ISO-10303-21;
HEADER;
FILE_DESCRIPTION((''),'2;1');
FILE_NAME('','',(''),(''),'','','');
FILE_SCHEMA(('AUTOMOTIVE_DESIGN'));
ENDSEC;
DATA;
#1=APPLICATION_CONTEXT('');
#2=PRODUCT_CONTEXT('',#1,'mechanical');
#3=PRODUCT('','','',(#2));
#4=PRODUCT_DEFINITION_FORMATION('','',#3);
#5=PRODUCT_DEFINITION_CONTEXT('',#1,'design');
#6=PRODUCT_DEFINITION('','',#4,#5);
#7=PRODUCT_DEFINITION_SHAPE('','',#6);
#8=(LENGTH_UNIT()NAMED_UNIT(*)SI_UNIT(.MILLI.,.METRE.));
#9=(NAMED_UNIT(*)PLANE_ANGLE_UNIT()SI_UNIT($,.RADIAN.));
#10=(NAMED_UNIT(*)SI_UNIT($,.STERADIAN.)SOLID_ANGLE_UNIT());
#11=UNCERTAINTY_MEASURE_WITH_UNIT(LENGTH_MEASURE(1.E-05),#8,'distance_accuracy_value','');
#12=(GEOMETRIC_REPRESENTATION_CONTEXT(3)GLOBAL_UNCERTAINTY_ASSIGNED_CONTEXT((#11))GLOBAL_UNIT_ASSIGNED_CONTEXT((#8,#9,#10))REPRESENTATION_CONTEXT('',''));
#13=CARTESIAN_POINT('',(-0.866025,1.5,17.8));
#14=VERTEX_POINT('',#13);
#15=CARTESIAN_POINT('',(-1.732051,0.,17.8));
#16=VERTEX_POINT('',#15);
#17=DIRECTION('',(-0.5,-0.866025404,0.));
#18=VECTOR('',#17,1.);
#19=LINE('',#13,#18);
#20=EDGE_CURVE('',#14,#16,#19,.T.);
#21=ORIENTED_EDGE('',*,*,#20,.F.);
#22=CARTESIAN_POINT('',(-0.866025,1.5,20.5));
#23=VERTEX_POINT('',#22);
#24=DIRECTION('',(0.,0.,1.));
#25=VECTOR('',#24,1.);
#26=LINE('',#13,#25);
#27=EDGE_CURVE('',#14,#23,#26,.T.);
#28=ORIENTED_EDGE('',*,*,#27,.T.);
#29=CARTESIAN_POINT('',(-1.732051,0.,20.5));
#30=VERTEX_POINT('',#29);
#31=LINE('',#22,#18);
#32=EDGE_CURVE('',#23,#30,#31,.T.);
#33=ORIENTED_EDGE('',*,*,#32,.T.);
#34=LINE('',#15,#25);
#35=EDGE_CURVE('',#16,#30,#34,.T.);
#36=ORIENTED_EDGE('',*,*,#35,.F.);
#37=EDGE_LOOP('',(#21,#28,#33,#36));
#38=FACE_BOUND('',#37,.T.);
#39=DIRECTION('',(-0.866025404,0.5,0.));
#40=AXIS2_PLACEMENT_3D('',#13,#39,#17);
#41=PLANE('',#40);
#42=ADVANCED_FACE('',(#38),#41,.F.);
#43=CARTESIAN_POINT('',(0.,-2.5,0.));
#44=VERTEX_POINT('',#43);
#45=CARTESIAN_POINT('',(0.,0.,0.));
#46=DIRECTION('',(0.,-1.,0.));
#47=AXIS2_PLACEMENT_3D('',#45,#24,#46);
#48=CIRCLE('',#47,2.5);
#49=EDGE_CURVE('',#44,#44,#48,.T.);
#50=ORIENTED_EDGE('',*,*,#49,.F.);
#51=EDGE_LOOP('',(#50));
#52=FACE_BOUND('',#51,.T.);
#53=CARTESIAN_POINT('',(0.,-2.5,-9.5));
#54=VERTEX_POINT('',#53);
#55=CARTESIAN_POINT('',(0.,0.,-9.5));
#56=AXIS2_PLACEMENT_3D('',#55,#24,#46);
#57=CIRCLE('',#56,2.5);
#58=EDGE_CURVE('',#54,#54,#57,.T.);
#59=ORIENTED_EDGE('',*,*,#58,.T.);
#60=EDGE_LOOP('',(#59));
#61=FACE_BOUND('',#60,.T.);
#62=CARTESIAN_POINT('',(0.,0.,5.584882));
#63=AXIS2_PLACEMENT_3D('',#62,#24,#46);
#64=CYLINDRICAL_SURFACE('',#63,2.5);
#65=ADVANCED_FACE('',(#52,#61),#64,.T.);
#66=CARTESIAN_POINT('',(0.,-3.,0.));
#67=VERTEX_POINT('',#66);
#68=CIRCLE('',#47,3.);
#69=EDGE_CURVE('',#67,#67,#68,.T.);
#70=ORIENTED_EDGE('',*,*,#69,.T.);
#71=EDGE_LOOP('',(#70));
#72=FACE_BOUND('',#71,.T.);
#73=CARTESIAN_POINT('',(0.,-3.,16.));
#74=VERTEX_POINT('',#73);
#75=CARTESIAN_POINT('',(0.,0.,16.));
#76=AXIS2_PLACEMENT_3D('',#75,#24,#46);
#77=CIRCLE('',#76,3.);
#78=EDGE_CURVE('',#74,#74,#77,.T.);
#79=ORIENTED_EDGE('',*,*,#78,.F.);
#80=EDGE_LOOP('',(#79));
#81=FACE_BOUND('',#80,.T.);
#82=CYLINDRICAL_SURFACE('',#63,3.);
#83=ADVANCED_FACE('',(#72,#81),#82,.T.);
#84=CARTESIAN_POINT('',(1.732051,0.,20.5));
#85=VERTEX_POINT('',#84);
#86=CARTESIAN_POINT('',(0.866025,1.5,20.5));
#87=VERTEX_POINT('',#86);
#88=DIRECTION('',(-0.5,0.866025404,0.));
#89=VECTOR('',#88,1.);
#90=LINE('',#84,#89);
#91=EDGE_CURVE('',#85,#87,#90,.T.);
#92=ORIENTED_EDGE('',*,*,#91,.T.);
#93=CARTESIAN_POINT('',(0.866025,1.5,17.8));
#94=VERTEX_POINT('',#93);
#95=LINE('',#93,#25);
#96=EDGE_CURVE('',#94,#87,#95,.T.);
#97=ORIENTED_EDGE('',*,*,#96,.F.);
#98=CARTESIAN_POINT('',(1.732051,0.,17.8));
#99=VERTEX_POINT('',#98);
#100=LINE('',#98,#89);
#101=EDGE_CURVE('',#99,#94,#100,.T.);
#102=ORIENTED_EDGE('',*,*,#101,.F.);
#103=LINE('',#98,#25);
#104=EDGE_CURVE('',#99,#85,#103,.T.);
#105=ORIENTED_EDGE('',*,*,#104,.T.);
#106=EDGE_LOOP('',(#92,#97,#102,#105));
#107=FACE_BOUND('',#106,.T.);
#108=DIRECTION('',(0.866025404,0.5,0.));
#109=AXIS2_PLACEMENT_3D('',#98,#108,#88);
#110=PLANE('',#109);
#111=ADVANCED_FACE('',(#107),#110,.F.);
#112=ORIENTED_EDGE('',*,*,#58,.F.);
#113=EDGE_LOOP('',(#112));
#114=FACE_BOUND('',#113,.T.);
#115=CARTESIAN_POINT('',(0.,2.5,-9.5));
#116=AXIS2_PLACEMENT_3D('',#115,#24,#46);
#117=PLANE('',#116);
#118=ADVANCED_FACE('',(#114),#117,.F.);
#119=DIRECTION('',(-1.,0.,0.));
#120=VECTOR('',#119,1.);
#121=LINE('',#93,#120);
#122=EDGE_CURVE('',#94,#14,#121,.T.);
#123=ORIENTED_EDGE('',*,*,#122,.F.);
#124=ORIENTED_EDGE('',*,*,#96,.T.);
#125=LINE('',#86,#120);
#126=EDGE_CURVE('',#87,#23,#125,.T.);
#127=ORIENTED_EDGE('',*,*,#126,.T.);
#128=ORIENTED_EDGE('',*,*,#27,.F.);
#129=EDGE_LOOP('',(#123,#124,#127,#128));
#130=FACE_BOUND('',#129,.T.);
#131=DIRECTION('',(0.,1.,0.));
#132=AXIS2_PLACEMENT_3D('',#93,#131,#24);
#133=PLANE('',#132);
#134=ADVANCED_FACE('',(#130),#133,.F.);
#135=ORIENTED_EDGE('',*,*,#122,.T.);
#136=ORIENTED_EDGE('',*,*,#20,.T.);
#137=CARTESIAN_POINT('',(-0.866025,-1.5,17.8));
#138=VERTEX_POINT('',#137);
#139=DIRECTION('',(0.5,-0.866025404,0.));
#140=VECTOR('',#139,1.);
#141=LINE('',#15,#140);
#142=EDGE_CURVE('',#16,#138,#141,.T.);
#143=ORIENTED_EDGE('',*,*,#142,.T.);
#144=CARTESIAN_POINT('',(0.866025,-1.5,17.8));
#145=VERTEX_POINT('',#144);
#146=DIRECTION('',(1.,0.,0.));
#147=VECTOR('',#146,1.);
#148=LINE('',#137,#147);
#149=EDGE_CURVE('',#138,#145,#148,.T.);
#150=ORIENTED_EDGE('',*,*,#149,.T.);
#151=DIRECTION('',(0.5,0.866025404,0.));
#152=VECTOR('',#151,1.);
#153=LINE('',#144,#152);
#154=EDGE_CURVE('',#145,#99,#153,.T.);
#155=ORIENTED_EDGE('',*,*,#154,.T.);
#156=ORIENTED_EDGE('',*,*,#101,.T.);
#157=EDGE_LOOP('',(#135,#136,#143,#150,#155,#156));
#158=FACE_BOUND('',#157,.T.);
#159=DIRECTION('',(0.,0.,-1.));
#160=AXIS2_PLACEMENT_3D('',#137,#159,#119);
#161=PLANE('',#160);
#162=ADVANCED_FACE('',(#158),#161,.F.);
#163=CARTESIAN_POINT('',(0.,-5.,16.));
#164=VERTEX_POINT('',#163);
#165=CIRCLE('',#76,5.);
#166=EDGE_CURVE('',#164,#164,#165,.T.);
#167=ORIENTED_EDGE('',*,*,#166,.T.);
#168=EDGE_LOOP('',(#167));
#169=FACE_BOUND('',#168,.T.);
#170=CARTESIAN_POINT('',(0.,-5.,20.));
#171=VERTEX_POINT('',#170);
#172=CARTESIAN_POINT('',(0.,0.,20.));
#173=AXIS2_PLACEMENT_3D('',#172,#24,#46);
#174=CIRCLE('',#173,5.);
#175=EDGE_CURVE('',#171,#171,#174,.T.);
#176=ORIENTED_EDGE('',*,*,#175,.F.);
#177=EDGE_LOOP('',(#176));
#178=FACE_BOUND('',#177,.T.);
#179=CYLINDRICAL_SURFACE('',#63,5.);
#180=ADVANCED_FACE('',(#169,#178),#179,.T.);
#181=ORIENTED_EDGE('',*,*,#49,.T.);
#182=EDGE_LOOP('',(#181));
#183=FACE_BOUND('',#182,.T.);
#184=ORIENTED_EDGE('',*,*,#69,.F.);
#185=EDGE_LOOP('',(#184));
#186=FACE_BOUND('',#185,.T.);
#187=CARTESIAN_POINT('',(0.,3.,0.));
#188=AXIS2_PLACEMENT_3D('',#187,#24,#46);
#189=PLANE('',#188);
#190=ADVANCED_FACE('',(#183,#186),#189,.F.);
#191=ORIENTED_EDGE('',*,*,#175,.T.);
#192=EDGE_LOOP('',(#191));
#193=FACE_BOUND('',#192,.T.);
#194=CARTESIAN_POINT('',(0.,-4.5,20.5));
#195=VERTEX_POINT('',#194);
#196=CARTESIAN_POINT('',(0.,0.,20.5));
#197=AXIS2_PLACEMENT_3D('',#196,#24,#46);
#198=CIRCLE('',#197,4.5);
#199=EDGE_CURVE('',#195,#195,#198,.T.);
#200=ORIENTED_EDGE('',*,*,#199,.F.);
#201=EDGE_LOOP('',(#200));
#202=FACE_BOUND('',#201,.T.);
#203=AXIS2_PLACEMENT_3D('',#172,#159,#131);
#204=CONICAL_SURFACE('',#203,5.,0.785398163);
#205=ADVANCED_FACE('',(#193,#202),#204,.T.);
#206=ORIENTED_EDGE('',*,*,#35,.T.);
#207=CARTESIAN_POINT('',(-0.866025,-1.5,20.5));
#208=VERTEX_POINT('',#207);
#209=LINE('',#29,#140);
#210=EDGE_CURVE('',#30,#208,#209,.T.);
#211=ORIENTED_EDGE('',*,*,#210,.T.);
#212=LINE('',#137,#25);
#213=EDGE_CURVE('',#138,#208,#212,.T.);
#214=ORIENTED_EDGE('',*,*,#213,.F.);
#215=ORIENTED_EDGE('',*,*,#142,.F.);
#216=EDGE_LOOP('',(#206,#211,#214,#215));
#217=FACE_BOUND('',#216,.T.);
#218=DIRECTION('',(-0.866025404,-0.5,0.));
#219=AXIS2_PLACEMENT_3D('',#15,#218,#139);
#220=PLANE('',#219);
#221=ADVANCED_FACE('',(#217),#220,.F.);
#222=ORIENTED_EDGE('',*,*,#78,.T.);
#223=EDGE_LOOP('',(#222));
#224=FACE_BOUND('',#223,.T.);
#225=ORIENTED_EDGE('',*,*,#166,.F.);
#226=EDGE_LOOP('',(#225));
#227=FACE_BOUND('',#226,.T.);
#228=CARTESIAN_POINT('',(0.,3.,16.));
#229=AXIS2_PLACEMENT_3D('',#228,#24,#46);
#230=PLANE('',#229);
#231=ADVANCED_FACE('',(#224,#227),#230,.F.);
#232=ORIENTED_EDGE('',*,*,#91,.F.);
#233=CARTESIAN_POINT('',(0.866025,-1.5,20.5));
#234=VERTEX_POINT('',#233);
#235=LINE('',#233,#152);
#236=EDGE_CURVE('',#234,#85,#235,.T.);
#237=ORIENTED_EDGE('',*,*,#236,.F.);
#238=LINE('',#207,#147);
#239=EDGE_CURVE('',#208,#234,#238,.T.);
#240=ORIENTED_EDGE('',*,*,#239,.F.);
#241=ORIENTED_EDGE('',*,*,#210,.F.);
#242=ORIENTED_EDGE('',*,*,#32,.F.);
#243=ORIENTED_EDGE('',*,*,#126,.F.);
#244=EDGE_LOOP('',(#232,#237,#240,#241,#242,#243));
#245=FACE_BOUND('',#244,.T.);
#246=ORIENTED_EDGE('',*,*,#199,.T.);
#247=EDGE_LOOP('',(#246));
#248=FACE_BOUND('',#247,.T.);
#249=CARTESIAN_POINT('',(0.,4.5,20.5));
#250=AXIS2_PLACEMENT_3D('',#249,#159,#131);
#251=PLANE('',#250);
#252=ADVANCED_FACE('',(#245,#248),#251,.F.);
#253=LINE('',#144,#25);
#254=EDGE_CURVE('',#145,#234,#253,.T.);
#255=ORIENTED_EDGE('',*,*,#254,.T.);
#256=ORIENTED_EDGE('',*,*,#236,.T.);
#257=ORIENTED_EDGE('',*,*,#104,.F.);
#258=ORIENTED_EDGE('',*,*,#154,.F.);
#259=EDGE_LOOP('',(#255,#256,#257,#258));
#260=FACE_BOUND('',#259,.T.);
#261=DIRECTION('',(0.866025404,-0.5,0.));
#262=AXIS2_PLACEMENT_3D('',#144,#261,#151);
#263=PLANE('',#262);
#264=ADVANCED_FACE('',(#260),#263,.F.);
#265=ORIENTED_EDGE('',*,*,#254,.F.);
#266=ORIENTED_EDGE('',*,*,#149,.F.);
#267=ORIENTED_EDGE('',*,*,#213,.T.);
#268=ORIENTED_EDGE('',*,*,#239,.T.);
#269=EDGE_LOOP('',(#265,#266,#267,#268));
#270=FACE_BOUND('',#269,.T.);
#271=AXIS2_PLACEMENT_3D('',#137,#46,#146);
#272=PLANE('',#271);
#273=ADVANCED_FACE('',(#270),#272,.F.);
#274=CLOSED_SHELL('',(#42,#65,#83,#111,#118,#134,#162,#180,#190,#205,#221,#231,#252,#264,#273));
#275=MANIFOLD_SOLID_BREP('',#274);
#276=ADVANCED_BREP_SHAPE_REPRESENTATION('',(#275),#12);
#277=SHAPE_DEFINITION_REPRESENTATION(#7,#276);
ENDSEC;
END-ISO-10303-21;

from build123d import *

# Parameters (mm, degrees)
CUT_EXTRUDE1_DEPTH = 2.7


with BuildPart() as part:
    # Sketch1 → Revolve1 (revolve)
    with BuildSketch(Plane(origin=(0, 0, 0), x_dir=(0, 0, -1), z_dir=(1, 0, 0))):
        Polygon((-16, 3), (-16, 5), (-20, 5), (-20.5, 4.5), (-20.5, 0), (9.5, 0), (9.5, 2.5), (0, 2.5), (0, 3), align=None)
    revolve(axis=Axis((0, 0, 5.584882278), (0, 0, -1)))

    # Sketch2 → Cut-Extrude1 (cut)
    with BuildSketch(Plane.XY.offset(20.5)):
        Polygon((0.866025404, -1.5), (1.732050808, 0), (0.866025404, 1.5), (-0.866025404, 1.5), (-1.732050808, 0), (-0.866025404, -1.5), align=None)
    extrude(amount=-CUT_EXTRUDE1_DEPTH, mode=Mode.SUBTRACT)


solid = part.part
